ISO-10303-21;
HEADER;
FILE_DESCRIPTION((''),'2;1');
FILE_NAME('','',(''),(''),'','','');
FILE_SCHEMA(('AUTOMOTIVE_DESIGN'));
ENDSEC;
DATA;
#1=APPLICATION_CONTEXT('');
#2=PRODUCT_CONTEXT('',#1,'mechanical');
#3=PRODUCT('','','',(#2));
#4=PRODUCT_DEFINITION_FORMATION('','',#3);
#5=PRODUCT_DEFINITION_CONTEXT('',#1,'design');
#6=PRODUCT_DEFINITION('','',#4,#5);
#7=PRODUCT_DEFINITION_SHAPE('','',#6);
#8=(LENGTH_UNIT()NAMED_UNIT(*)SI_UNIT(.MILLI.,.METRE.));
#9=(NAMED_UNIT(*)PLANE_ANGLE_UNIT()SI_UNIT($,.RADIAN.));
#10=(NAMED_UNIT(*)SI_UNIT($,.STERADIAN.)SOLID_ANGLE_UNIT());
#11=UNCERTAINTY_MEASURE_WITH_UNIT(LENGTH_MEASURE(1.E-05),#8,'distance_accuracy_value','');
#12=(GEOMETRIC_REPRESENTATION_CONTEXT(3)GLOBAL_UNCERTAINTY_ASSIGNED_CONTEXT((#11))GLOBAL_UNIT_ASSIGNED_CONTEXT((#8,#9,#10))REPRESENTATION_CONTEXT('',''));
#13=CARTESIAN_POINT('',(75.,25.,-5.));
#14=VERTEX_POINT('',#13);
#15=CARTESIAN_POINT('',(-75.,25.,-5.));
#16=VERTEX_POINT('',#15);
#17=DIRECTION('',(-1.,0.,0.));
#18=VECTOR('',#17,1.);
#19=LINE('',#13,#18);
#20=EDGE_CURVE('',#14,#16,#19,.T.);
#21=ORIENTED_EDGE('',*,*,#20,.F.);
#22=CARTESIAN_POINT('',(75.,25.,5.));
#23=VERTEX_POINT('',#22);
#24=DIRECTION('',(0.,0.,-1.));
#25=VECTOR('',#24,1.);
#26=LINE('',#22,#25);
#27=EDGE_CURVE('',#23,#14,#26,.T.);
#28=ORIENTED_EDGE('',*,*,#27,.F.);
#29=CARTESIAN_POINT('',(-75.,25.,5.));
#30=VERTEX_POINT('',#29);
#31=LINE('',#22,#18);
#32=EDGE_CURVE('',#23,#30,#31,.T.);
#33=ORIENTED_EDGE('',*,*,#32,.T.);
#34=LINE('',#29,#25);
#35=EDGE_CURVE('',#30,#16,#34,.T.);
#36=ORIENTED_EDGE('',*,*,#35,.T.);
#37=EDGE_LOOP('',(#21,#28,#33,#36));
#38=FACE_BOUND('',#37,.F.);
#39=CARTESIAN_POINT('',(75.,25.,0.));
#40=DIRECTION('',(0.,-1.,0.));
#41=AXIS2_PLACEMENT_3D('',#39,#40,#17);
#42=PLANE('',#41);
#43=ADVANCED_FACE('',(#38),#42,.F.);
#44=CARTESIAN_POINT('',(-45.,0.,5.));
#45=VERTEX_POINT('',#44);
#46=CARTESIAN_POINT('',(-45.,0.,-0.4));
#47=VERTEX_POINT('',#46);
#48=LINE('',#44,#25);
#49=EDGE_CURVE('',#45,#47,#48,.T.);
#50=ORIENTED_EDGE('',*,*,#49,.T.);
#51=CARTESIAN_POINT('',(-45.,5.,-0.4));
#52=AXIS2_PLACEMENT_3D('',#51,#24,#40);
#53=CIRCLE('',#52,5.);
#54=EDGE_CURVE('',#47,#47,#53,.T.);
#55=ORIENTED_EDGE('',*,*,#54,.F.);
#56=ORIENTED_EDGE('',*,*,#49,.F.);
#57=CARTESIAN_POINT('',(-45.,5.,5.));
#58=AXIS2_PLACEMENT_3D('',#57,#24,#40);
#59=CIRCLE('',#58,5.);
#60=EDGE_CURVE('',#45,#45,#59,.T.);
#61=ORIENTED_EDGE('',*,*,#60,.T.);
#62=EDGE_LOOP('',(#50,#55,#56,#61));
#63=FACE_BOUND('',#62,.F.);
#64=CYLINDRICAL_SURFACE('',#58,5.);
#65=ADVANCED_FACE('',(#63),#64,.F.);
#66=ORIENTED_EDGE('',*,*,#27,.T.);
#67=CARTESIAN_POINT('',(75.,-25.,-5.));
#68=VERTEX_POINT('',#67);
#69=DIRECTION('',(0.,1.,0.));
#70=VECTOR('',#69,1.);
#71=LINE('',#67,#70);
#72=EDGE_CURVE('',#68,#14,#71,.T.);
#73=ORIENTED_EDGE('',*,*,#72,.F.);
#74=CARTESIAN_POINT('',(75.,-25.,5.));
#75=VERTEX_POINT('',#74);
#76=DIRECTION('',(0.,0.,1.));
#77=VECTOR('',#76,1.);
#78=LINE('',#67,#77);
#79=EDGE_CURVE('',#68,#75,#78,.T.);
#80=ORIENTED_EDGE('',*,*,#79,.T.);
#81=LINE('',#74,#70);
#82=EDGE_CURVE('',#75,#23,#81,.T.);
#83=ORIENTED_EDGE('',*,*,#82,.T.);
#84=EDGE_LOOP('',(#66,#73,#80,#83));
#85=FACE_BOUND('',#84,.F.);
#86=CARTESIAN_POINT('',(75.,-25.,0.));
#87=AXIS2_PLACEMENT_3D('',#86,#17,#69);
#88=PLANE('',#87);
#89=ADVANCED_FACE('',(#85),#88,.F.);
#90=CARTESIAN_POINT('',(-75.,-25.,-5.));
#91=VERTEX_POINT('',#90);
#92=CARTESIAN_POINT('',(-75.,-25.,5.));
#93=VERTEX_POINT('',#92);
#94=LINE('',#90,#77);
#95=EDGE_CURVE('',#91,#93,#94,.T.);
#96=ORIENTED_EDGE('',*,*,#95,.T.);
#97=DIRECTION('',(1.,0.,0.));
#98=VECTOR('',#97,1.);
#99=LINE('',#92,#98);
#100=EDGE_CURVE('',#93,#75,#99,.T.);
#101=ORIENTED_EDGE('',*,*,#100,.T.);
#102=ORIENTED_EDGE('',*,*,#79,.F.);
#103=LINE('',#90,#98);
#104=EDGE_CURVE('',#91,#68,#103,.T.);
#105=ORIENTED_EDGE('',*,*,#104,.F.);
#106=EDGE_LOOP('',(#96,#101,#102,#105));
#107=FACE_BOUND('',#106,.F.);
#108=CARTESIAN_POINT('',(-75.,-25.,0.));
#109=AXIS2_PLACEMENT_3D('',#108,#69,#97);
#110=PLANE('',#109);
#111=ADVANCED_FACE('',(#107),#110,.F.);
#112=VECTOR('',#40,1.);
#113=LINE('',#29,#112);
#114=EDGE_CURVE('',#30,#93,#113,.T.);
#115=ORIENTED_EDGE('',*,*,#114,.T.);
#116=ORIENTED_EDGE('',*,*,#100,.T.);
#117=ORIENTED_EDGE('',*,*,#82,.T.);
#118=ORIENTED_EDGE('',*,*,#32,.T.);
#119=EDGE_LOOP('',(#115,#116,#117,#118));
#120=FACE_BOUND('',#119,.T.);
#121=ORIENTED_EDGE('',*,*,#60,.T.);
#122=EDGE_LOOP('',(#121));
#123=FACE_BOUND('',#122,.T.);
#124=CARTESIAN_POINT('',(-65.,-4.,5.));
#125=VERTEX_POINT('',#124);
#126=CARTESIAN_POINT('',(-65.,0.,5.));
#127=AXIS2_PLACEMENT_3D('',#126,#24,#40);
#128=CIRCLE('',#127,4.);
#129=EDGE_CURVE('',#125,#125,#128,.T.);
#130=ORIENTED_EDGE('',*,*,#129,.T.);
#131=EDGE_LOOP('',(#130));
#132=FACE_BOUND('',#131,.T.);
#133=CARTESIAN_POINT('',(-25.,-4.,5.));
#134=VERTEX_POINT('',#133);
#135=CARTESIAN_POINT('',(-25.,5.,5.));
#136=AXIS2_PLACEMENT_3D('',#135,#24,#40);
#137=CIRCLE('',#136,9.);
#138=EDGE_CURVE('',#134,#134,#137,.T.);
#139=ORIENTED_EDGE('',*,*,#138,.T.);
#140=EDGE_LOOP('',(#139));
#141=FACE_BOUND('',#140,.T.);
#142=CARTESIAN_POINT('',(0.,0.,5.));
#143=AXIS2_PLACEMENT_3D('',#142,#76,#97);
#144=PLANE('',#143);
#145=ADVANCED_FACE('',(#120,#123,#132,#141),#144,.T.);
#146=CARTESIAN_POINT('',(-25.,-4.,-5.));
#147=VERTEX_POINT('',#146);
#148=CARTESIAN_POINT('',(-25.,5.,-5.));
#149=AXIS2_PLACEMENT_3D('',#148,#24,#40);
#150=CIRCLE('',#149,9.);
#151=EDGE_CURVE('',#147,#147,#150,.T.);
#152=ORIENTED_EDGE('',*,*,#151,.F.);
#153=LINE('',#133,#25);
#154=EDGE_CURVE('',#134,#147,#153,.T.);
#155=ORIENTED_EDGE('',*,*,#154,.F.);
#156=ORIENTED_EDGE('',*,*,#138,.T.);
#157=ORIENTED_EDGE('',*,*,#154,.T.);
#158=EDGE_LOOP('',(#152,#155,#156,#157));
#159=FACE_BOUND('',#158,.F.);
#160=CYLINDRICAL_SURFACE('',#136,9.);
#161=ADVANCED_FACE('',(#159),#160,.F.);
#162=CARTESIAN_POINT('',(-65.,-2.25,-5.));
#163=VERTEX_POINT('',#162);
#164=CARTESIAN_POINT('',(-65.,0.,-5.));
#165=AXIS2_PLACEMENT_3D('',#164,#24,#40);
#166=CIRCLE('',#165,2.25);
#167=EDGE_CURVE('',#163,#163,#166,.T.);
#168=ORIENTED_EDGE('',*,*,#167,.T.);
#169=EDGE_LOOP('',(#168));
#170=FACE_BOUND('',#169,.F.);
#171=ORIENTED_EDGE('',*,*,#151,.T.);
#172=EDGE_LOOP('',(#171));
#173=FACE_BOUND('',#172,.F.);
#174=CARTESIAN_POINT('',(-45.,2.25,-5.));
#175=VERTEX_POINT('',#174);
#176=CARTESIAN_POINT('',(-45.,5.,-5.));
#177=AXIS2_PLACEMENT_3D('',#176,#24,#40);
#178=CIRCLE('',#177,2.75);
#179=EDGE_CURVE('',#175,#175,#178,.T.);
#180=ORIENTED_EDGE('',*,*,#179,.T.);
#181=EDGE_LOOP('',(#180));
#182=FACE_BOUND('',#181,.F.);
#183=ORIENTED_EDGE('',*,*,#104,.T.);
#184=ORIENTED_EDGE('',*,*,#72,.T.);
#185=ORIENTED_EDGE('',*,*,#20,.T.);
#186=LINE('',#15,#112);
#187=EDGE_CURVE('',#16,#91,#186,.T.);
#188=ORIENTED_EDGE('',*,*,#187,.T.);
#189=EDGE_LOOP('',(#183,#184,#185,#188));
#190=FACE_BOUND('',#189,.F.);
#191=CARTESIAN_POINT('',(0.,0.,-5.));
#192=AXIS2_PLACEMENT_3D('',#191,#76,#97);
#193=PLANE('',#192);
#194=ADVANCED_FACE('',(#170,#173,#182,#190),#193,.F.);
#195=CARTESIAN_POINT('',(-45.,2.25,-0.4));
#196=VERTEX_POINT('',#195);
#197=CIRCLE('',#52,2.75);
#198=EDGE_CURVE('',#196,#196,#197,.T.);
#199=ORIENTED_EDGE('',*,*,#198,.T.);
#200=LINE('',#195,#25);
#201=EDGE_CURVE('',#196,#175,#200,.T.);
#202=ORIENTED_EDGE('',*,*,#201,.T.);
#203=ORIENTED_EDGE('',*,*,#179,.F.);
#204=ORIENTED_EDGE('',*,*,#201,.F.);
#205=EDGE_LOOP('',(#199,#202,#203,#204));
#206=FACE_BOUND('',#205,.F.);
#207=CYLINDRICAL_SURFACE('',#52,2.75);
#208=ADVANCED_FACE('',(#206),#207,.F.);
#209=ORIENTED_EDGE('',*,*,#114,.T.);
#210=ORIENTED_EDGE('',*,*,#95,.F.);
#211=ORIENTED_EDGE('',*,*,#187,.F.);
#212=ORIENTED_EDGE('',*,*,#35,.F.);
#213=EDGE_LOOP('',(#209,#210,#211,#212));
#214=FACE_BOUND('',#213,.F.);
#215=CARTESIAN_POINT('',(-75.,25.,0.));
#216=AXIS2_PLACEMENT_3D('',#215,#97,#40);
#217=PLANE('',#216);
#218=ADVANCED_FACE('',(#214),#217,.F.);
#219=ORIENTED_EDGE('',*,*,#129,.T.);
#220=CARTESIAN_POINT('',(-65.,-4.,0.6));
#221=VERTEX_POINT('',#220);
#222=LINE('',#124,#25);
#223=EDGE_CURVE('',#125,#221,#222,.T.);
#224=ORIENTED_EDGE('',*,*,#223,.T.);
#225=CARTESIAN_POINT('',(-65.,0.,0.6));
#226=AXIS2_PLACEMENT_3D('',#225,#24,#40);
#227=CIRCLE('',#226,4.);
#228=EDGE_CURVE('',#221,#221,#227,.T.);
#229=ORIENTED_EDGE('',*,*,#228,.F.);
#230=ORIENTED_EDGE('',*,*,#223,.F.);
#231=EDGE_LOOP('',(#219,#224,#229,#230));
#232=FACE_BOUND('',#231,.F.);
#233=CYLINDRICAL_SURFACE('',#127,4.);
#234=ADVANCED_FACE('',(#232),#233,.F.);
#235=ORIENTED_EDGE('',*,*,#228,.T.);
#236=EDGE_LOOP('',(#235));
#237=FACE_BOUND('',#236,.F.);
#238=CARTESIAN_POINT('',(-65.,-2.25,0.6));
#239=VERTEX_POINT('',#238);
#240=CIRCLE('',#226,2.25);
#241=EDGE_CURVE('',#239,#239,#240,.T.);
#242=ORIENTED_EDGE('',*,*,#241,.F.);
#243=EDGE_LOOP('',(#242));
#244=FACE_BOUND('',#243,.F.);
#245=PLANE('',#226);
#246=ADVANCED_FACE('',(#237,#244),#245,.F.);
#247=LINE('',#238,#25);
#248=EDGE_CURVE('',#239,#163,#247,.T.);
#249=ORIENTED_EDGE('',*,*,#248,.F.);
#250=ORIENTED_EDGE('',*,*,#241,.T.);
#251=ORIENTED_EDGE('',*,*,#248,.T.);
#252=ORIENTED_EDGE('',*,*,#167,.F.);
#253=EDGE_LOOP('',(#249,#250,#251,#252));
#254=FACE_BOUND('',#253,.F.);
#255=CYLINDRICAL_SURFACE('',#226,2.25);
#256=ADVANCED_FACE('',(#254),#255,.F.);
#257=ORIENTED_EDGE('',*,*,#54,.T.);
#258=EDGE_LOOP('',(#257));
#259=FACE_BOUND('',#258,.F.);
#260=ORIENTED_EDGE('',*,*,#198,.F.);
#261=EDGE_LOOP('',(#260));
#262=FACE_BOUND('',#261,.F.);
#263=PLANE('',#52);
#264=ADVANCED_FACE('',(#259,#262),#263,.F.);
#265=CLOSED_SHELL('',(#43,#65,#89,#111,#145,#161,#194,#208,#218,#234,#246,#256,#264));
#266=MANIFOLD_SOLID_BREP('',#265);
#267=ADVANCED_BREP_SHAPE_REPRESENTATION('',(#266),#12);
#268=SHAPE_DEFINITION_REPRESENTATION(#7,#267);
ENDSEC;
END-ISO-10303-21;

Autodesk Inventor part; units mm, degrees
ref_plane "YZ Plane" through (0, 0, 0) normal (1, 0, 0) x (0, 1, 0)
ref_plane "XZ Plane" through (0, 0, 0) normal (0, 1, 0) x (-1, 0, 0)
ref_plane "XY Plane" through (0, 0, 0) normal (0, 0, 1) x (1, 0, 0)
sketch "Sketch2" plane through (0, 0, 0) normal (0, 0, 1) x (1, 0, 0)
  line L0 (-75, -25) -> (75, -25)
  line L1 (75, -25) -> (75, 25)
  line L2 (75, 25) -> (-75, 25)
  line L3 (-75, 25) -> (-75, -25)
  line L4 (-75, -25) -> (75, 25) construction
  line L5 (75, -25) -> (-75, 25) construction
  point P0 (0, 0)
  dimension "d1" = 150
  dimension "d2" = 50
extrude "Extrusion1" add sketch "Sketch2" along normal mid plane 10
sketch "Sketch3" plane through (0, 0, 5) normal (0, 0, 1) x (1, 0, 0)
  line L0 (-75, 25) -> (-75, -25) projected
  line L1 (75, 25) -> (-75, 25) projected
  point P0 (0, 0)
  point P1 (-65, 0)
  dimension "d40" = 10
  dimension "d43" = 25
hole "Hole1" at (-65, 0, 5) direction (0, 0, -1) diameter 4.5 depth 14.2 tip angle 118 counterbore diameter 8 counterbore depth 4.4 clearance for "Socket Head Cap Screw" size "M4" standard "TS Profile"
sketch "Sketch4" plane through (0, 0, 5) normal (0, 0, 1) x (1, 0, 0)
  line L0 (-75, 25) -> (-75, -25) projected
  line L1 (75, 25) -> (-75, 25) projected
  point P0 (0, 0)
  point P1 (-45, 5)
  dimension "d41" = 30
  dimension "d42" = 20
hole "Hole2" at (-45, 5, 5) direction (0, 0, -1) diameter 5.5 depth 14.2 tip angle 118 counterbore diameter 10 counterbore depth 5.4 clearance for "Socket Head Cap Screw" size "M5" standard "TS Profile"
sketch "Sketch5" plane through (0, 0, 5) normal (0, 0, 1) x (1, 0, 0)
  line L0 (-75, 25) -> (-75, -25) projected
  line L1 (75, 25) -> (-75, 25) projected
  point P0 (0, 0)
  point P1 (-25, 5)
  dimension "d44" = 50
  dimension "d45" = 20
hole "Hole3" at (-25, 5, 5) direction (0, 0, -1) diameter 11 depth 14.2 tip angle 118 counterbore diameter 18 counterbore depth 10.8 clearance for "Socket Head Cap Screw" size "M10" standard "TS Profile"
properties part number "홀간 거리 확인 파트-8" material "SS400"
